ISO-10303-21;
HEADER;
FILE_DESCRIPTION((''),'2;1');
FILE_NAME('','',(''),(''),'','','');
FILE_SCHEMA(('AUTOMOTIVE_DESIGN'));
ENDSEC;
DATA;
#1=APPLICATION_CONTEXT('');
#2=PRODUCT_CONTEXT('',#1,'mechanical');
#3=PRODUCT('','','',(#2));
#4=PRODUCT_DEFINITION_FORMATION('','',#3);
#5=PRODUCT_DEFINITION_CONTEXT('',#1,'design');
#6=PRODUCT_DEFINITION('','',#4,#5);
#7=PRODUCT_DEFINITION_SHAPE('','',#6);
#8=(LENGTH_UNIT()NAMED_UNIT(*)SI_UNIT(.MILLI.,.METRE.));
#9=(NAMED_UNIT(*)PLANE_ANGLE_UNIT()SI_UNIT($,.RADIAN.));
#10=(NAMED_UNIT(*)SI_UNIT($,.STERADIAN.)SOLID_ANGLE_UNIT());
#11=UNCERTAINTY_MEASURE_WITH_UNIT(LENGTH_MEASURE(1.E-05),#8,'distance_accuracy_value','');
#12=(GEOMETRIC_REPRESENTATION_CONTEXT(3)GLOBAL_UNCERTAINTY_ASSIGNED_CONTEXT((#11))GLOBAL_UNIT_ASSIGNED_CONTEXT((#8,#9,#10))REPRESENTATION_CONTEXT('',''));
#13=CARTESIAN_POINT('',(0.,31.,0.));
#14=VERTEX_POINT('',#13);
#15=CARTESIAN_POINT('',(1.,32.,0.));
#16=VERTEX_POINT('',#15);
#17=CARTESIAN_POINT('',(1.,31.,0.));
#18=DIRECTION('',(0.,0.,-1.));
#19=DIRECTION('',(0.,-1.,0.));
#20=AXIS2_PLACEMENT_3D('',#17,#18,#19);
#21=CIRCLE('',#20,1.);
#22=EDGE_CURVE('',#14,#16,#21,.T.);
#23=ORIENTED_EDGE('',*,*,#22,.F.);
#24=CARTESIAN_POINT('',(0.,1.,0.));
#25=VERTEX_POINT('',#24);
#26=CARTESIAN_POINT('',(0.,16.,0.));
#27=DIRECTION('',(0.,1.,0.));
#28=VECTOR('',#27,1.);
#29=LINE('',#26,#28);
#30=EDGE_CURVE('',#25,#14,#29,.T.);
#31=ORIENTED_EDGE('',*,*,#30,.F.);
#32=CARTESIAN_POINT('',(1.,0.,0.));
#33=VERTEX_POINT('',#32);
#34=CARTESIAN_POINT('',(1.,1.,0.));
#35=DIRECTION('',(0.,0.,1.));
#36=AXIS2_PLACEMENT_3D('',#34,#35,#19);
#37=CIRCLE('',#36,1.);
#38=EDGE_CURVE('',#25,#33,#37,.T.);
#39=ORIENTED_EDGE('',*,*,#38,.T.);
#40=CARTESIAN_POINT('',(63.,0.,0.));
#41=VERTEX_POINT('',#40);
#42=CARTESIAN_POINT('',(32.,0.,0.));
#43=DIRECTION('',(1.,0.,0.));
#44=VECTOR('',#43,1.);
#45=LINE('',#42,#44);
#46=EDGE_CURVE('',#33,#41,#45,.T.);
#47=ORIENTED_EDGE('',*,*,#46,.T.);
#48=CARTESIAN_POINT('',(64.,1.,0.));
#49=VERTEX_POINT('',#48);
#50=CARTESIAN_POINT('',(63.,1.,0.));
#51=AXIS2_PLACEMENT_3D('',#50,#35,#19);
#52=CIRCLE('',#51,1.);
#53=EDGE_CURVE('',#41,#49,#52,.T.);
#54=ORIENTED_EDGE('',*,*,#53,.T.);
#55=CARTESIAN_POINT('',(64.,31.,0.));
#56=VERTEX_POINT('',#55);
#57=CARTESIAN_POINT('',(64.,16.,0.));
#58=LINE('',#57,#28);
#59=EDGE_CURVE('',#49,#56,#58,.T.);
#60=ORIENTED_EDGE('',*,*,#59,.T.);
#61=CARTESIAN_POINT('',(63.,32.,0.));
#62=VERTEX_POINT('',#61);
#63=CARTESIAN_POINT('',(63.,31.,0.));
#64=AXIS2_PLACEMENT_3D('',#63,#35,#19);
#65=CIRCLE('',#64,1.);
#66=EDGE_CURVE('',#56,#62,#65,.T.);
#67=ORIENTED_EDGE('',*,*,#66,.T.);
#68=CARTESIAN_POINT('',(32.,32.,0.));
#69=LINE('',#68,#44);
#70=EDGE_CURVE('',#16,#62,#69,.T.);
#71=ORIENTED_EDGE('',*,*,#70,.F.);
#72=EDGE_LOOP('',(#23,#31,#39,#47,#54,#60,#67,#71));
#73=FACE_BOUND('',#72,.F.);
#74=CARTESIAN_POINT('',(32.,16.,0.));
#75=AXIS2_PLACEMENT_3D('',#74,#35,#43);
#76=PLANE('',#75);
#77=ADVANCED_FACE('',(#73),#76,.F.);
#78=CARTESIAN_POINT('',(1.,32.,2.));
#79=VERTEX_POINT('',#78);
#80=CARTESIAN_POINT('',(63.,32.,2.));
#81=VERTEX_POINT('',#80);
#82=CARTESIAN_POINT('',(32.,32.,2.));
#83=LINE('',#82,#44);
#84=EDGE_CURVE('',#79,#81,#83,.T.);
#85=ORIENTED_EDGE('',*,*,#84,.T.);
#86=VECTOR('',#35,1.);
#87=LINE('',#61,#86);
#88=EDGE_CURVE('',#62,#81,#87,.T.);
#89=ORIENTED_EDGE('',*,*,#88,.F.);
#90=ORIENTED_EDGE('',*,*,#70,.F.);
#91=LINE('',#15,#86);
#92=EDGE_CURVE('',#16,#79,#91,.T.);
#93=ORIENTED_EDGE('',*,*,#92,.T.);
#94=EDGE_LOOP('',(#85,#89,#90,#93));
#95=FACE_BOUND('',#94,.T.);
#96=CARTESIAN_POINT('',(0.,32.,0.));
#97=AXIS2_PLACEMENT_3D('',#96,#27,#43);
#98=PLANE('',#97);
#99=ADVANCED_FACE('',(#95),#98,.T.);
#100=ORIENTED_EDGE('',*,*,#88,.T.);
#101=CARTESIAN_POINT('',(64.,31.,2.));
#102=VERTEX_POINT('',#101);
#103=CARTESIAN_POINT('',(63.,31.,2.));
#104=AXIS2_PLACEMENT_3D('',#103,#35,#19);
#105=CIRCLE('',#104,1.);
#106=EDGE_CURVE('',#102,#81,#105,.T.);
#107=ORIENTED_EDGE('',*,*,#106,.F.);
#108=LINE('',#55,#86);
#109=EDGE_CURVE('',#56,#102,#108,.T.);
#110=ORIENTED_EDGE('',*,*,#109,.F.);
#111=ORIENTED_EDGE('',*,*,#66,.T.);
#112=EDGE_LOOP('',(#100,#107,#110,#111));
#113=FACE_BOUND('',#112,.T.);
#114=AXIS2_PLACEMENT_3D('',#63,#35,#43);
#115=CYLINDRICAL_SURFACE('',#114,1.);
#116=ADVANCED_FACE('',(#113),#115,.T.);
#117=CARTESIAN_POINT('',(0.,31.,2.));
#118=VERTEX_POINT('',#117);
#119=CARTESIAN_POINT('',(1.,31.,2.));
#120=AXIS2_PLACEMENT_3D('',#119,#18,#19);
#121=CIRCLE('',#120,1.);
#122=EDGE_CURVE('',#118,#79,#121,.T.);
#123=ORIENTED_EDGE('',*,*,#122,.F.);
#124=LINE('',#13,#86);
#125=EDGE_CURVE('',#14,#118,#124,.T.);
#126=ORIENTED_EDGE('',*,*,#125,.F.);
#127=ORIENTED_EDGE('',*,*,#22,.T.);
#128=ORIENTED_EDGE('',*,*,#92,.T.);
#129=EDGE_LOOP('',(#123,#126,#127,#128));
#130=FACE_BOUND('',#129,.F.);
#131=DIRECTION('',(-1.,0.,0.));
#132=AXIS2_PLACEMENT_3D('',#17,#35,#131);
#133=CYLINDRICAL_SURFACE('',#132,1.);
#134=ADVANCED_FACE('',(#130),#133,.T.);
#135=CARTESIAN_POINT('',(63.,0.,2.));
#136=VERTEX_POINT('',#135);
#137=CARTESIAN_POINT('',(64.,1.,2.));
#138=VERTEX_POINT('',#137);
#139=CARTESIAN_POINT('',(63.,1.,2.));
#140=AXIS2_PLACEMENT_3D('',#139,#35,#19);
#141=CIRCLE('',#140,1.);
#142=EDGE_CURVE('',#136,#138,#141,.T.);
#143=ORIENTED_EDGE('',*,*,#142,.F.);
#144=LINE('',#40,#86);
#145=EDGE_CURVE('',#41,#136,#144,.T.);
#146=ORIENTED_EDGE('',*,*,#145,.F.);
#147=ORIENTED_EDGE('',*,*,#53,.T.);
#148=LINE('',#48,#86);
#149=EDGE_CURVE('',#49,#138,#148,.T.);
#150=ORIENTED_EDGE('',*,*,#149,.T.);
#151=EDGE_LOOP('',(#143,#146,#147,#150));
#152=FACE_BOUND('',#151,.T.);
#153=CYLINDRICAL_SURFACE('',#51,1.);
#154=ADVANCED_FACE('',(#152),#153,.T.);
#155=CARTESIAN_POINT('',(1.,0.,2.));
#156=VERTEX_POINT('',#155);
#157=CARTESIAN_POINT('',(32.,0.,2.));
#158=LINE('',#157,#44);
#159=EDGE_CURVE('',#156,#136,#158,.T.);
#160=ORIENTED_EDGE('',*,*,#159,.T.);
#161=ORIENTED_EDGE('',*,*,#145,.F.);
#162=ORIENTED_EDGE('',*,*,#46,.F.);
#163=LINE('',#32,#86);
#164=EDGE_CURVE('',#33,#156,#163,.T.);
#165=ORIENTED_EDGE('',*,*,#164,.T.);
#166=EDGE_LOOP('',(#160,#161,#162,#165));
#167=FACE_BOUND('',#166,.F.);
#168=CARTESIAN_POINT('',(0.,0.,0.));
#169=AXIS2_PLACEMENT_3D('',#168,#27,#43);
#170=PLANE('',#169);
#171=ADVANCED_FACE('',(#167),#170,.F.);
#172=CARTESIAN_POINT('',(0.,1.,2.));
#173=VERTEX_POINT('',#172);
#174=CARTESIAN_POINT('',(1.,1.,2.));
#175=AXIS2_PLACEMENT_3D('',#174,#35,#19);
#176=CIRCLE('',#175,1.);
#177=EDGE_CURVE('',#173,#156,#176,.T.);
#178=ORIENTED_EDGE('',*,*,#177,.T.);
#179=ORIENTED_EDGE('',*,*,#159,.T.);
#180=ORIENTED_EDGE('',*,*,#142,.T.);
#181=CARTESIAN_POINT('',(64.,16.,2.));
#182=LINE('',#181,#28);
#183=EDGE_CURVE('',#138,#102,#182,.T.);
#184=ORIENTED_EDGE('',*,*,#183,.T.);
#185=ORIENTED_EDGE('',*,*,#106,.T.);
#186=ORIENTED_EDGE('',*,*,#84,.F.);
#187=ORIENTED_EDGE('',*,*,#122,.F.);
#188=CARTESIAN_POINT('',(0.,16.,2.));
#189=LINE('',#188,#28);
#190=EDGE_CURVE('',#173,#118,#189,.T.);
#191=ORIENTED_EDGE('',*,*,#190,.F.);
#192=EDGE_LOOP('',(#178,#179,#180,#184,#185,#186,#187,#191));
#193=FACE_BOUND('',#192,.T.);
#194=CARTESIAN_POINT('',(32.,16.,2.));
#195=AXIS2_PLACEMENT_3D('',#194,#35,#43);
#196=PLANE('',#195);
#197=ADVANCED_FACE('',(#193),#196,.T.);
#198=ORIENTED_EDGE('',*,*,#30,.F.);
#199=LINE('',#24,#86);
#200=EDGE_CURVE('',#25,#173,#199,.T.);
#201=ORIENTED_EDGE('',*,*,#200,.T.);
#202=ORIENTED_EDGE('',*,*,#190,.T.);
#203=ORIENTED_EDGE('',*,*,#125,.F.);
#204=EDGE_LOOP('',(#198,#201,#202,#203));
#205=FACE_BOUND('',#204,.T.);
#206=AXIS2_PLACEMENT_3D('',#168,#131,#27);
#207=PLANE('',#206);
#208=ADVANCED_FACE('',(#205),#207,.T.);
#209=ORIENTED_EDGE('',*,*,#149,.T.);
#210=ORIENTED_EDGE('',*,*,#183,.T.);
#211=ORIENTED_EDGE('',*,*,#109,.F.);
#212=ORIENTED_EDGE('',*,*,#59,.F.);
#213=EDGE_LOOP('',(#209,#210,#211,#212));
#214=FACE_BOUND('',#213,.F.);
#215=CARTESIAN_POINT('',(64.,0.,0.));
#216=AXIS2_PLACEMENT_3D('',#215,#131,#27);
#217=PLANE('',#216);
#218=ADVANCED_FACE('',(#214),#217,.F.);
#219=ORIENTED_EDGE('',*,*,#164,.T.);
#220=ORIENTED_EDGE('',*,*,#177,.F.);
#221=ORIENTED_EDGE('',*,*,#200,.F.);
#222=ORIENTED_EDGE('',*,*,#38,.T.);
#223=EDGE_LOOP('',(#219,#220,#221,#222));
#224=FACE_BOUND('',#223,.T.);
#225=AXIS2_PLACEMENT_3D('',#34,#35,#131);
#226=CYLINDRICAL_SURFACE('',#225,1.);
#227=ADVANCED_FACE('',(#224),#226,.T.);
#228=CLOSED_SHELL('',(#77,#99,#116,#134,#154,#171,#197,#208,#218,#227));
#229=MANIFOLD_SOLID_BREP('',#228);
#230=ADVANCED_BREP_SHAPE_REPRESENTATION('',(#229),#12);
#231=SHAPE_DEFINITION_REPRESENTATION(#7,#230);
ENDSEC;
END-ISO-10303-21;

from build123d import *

# Parameters (mm, degrees)
SKETCH_W  = 64
SKETCH_H  = 32
PAD_DEPTH = 2
FILLET_R  = 1


with BuildPart() as part:
    # Sketch → Pad (new body)
    with BuildSketch(Plane.XY):
        with Locations((32, 16)):
            Rectangle(SKETCH_W, SKETCH_H)
    extrude(amount=PAD_DEPTH)

    # Fillet
    fillet_edges = [part.edges().sort_by_distance(p)[0] for p in [
        (64, 32, 1),
        (0, 32, 1),
        (0, 0, 1),
        (64, 0, 1),
    ]]
    fillet(fillet_edges, radius=FILLET_R)


solid = part.part
